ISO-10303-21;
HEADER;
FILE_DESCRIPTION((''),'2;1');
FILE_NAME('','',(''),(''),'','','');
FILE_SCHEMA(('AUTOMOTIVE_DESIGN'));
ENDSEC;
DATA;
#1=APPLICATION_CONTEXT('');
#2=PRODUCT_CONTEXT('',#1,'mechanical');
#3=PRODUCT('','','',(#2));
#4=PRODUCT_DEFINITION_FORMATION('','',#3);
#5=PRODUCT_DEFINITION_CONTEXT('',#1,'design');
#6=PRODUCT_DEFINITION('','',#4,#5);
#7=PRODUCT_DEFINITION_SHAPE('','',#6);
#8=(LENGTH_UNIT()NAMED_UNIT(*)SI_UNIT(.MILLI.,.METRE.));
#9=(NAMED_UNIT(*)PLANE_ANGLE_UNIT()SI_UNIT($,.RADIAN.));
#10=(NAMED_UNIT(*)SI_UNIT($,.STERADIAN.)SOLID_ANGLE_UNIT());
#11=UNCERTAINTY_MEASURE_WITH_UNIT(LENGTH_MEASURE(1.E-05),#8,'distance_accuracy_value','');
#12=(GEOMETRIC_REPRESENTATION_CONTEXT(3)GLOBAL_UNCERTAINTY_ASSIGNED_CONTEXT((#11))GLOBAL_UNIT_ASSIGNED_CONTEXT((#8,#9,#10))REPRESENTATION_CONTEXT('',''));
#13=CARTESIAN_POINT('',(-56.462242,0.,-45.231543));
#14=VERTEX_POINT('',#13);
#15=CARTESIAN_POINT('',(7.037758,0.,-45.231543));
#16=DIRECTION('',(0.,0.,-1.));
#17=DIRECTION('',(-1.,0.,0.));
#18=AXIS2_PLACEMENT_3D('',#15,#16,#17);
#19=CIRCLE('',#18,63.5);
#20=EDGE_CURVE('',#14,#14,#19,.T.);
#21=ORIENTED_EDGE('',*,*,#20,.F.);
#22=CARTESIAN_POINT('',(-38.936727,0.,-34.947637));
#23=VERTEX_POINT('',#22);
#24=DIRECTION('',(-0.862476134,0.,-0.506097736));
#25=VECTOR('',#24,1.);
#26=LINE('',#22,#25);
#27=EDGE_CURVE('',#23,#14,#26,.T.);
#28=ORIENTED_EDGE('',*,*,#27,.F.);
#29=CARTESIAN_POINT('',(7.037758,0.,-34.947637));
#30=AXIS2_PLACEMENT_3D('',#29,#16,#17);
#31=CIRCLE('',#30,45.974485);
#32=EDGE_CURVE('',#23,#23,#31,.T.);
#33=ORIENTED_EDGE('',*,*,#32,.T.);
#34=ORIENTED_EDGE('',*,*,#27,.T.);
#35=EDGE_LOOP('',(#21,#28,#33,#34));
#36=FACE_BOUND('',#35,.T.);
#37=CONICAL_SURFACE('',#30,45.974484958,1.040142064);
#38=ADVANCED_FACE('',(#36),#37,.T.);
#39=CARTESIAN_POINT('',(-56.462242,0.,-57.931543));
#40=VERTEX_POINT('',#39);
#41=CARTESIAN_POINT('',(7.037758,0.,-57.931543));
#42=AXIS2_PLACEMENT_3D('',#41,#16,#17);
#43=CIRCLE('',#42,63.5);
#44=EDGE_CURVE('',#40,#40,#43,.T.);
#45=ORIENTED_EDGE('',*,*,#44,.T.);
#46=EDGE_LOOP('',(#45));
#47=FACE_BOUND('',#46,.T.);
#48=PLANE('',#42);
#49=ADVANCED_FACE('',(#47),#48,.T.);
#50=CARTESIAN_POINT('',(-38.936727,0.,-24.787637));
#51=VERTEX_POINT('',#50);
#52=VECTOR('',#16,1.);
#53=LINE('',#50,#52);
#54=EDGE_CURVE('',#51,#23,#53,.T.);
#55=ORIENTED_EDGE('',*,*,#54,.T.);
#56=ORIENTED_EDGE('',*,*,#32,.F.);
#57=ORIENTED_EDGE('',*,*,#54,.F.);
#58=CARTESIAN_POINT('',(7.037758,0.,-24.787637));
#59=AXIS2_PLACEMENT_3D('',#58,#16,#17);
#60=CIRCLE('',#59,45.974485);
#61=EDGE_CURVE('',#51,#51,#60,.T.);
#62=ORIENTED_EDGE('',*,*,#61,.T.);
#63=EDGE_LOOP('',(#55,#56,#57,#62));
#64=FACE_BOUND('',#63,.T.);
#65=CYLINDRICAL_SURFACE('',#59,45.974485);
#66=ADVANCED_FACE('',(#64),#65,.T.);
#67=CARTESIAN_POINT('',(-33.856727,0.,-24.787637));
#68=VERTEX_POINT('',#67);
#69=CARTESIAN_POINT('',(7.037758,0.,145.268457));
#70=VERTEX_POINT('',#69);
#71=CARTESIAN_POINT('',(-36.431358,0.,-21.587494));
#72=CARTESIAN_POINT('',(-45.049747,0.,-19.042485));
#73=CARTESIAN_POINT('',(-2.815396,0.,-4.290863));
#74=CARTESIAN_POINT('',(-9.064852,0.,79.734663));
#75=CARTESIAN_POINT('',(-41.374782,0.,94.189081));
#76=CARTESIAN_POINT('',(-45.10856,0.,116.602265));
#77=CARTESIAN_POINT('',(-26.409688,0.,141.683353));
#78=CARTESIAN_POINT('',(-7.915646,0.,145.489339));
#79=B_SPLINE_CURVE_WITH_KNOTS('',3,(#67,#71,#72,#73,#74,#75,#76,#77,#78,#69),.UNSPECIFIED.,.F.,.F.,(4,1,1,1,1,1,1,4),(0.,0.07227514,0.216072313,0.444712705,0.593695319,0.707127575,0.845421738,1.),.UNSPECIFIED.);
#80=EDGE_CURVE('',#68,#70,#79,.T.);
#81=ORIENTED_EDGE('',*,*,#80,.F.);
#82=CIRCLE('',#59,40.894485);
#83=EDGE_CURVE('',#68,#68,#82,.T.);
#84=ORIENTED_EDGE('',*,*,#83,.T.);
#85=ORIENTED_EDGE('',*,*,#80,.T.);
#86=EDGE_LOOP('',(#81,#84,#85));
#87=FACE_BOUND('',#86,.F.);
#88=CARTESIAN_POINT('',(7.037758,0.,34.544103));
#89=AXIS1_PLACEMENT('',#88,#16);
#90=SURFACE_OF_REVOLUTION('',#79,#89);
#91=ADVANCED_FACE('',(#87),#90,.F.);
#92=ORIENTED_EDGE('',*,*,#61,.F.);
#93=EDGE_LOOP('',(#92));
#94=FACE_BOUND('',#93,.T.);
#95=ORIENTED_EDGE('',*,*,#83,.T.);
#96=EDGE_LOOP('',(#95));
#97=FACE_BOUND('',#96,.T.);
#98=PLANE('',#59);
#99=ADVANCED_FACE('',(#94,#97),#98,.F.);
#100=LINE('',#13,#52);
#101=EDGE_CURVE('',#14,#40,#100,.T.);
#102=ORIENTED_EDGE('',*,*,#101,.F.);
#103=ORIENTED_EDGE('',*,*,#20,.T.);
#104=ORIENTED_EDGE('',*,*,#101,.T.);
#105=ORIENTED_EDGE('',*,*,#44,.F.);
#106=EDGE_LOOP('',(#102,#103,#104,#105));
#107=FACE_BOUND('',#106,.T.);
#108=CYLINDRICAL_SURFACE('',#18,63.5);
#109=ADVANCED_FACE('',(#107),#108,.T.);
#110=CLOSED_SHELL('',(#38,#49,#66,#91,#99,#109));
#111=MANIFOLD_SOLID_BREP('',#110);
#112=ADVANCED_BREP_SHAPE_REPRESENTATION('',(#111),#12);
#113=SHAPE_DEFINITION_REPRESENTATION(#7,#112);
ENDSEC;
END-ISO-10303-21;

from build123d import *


with BuildPart() as f1:
    # F0 (on Front) → F1 (revolve)
    with BuildSketch(Plane.XZ):
        with BuildLine():
            Line((-56.4622417911, -45.2315431084), (-56.4622417911, -57.9315431084))
            Line((-56.4622417911, -57.9315431084), (7.0377582089, -57.9315431084))
            Line((7.0377582089, -57.9315431084), (7.0377582089, 145.2684568916))
            add(Edge.make_bspline(
                [(-33.8567267489, -24.7876371137), (-36.4313577641, -21.5874943809), (-45.0497467499, -19.0424849174), (-2.815395833, -4.2908627047), (-9.0648519219, 79.7346628049), (-41.374782246, 94.189081163), (-45.1085596994, 116.6022651769), (-26.4096882978, 141.6833526452), (-7.9156462699, 145.4893391722), (7.0377582089, 145.2684568916)],
                knots=[0, 0, 0, 0, 0.0722751404, 0.2160723133, 0.4447127052, 0.5936953188, 0.7071275754, 0.8454217378, 1, 1, 1, 1], degree=3))
            Line((-33.8567267489, -24.7876371137), (-38.9367267489, -24.7876371137))
            Line((-38.9367267489, -24.7876371137), (-38.9367267489, -34.9476371137))
            Line((-38.9367267489, -34.9476371137), (-56.4622417911, -45.2315431084))
        make_face()
    revolve(axis=Axis((7.0377582089, 0, 34.5441028476), (0, 0, -1)))


solid = f1.part
